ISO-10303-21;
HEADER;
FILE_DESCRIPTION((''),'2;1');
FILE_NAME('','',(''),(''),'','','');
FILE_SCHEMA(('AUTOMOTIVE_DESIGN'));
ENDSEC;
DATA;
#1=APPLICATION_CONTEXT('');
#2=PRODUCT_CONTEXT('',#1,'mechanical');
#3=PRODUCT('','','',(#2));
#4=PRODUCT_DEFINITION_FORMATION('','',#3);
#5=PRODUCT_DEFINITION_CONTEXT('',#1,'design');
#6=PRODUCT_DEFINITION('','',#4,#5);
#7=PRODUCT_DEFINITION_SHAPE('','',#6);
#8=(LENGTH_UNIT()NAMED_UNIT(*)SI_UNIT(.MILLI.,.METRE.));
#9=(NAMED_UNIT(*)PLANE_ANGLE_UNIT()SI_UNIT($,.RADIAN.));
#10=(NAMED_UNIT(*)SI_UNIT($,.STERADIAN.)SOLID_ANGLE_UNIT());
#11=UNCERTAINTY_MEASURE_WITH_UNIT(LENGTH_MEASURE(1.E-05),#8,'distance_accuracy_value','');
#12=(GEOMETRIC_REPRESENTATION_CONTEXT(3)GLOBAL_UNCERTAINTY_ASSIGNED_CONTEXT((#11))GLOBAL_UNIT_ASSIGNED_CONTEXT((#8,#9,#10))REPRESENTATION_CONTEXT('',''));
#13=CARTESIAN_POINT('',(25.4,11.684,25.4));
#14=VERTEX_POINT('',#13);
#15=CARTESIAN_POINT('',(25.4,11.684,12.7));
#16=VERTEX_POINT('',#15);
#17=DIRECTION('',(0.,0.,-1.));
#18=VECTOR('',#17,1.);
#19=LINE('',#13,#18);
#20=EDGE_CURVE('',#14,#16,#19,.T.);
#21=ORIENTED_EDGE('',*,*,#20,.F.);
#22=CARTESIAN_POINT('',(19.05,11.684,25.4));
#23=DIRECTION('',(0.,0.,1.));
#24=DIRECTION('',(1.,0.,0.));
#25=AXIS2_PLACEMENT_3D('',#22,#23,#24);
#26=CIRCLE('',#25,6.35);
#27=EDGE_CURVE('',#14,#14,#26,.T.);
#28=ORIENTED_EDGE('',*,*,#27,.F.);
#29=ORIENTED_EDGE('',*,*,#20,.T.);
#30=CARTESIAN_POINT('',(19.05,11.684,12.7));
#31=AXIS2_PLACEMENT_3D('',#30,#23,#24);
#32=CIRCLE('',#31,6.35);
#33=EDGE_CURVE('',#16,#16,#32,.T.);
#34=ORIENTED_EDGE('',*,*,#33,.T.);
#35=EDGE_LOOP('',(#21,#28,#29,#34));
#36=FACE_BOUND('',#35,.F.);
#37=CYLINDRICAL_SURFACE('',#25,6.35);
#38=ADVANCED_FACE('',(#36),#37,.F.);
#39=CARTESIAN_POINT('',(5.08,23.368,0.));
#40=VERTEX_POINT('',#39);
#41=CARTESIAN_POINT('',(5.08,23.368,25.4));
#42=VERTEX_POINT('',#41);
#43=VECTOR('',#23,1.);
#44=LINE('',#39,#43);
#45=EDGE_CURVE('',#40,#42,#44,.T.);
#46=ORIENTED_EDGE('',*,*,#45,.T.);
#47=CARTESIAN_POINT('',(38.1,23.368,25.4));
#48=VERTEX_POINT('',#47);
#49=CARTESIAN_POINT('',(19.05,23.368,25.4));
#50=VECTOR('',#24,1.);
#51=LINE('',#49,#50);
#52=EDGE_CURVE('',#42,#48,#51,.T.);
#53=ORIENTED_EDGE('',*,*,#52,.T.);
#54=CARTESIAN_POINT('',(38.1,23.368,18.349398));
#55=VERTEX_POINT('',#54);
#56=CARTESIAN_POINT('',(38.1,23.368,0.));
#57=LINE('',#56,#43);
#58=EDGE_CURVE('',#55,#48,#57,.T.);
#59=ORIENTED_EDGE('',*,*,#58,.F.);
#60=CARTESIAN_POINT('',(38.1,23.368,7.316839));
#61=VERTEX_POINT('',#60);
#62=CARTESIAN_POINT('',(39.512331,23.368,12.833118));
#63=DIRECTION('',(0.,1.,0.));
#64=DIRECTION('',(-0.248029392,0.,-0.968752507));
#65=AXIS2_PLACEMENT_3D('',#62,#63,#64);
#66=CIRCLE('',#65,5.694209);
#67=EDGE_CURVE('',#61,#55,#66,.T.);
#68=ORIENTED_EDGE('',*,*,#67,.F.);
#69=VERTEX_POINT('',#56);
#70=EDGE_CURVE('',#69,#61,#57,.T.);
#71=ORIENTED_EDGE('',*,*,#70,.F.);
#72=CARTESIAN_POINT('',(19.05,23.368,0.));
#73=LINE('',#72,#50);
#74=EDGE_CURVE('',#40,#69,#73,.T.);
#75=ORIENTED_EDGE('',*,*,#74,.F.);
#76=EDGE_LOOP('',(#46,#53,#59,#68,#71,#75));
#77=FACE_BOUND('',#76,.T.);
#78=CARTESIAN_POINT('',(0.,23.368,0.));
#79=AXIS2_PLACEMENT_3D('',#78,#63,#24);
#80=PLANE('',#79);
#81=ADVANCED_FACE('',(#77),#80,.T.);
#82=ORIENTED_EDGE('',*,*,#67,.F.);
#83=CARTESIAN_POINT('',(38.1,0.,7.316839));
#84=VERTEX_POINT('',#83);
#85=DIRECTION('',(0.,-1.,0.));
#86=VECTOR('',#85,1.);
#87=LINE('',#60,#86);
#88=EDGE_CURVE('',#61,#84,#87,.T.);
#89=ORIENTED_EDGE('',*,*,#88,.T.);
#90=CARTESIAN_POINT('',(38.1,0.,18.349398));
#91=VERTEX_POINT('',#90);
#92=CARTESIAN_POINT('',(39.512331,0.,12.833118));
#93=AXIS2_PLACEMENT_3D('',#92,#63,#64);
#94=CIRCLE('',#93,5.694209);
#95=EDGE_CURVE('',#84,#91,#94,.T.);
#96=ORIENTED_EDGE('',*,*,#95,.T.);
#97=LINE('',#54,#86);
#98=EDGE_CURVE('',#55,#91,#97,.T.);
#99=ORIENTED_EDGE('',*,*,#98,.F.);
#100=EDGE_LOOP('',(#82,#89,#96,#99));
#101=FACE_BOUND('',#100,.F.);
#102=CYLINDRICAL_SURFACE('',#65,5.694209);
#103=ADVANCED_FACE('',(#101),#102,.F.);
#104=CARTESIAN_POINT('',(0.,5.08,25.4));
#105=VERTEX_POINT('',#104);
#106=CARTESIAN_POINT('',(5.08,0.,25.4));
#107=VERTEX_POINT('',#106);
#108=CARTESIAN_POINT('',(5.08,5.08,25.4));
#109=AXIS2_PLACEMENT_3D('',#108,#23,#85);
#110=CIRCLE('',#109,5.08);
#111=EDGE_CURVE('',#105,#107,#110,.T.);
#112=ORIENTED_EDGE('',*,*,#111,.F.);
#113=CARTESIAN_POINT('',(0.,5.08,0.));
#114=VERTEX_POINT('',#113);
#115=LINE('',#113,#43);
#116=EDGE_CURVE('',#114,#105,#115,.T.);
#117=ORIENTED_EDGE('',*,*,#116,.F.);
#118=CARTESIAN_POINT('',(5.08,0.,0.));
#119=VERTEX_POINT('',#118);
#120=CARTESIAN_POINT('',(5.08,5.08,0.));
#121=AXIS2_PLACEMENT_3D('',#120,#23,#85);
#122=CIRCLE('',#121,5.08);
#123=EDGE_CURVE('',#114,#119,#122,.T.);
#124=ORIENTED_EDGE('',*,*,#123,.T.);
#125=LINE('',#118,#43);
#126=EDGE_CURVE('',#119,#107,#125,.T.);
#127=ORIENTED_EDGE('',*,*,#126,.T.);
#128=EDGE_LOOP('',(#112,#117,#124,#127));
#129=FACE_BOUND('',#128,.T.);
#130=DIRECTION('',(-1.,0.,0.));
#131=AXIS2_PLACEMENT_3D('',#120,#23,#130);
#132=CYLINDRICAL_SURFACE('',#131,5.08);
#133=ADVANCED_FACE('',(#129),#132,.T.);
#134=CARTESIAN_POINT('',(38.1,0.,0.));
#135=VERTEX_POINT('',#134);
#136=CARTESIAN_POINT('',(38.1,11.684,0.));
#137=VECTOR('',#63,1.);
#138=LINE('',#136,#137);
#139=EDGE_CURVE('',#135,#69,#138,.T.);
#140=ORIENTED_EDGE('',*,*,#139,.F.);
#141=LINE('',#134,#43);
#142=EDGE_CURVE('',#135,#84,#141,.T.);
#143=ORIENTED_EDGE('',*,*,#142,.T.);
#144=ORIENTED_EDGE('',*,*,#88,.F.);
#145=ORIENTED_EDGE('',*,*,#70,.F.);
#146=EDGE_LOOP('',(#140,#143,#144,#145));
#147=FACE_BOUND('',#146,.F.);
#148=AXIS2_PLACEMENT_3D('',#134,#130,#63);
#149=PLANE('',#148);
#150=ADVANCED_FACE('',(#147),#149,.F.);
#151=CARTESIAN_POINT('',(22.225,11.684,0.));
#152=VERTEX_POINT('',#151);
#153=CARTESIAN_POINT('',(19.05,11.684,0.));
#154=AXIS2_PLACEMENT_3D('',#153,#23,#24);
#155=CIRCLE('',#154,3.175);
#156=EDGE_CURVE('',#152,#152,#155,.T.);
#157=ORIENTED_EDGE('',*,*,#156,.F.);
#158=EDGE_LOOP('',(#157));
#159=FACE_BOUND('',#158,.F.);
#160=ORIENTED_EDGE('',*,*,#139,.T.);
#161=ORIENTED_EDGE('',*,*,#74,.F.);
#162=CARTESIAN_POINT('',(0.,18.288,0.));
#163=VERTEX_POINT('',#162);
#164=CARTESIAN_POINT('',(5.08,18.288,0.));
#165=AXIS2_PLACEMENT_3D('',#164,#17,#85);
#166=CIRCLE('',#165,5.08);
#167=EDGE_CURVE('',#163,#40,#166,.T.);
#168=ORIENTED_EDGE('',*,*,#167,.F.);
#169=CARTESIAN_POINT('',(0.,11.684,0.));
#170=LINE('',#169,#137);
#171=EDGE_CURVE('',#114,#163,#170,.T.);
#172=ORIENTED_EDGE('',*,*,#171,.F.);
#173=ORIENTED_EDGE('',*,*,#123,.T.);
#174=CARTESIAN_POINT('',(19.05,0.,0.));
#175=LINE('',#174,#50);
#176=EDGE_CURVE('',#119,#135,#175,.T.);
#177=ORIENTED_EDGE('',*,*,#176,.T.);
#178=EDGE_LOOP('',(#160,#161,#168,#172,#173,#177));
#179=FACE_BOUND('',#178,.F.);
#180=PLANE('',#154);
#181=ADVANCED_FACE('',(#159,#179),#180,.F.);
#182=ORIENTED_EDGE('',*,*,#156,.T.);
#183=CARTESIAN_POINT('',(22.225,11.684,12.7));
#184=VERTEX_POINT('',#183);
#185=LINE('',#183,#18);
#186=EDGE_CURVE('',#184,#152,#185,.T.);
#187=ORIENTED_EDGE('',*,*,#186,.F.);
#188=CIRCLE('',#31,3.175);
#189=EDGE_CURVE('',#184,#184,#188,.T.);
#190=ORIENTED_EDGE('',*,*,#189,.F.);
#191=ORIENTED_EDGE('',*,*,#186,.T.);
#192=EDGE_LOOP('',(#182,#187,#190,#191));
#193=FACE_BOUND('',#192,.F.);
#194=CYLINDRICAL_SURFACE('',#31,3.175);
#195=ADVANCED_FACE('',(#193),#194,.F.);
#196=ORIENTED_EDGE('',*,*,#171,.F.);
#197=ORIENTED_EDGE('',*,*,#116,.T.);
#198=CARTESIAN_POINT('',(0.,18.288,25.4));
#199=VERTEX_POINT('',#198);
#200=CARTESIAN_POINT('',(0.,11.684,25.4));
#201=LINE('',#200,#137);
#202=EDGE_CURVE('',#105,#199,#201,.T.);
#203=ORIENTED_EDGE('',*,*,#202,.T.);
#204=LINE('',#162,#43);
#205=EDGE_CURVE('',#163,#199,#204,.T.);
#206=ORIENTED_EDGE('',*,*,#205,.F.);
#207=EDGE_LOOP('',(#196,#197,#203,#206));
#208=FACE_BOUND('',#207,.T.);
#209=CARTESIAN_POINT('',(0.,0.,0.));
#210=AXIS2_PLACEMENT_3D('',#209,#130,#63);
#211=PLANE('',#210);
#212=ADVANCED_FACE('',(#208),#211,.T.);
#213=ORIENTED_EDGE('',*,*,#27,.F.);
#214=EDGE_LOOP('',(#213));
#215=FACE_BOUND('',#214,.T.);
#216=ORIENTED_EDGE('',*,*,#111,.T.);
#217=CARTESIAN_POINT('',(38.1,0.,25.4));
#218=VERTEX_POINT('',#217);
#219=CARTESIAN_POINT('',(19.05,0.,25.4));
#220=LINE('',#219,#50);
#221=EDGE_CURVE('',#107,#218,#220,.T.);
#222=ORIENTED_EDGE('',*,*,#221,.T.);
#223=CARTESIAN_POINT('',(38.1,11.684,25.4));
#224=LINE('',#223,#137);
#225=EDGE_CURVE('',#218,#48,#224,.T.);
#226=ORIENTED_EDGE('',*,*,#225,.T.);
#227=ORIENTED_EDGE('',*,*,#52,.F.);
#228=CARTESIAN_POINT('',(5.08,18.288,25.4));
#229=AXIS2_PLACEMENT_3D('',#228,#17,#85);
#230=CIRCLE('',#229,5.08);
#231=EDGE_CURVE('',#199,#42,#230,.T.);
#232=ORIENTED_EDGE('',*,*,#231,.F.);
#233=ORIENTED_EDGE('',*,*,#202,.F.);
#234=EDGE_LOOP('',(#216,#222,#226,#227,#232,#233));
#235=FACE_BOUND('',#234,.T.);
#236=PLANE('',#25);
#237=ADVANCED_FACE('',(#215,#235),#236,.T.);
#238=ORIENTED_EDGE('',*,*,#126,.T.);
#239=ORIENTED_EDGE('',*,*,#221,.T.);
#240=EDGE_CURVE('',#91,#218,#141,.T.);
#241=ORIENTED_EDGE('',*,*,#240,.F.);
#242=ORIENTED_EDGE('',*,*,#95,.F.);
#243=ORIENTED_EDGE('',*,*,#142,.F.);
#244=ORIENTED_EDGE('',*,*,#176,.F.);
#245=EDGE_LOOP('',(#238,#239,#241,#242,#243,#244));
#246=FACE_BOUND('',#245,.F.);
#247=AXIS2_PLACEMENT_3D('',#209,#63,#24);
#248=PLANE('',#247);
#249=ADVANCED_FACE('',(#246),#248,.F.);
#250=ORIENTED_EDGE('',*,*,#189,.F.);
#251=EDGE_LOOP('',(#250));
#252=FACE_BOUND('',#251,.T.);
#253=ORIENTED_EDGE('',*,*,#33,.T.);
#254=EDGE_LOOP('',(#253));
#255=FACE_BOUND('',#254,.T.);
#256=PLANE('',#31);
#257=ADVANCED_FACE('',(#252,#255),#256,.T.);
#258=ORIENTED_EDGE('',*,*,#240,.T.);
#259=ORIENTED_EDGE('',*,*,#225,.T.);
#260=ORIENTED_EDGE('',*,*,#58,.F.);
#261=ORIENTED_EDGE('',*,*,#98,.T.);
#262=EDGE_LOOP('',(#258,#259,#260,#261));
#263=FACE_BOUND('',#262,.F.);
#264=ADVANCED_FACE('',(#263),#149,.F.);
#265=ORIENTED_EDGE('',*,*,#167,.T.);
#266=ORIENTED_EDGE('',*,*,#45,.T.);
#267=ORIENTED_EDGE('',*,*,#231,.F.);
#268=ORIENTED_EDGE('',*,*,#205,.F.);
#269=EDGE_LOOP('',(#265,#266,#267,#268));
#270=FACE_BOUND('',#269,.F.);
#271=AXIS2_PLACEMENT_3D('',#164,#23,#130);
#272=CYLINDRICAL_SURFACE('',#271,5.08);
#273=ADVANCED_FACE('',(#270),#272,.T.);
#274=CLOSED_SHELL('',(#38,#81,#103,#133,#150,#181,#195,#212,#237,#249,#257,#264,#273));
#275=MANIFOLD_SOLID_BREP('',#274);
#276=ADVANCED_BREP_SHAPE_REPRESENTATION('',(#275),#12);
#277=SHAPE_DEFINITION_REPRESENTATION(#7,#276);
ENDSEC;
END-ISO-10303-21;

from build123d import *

# Parameters (mm, degrees)
F0_W     = 38.1
F0_H     = 23.368
F1_DEPTH = 25.4
F2_R     = 6.35
F3_DEPTH = 12.7
F4_R     = 3.175
F5_DEPTH = 25.4
F6_R     = 5.08
F8_DEPTH = 25.4


with BuildPart() as f1:
    # F0 (on Top) → F1 (new body)
    with BuildSketch(Plane.XY):
        with Locations((19.05, 11.684)):
            Rectangle(F0_W, F0_H)
    extrude(amount=F1_DEPTH)

    # F2 (on face) → F3 (cut)
    with BuildSketch(Plane.XY.offset(25.4)):
        with Locations((19.05, 11.684)):
            Circle(F2_R)
    extrude(amount=-F3_DEPTH, mode=Mode.SUBTRACT)

    # F4 (on face) → F5 (cut)
    with BuildSketch(Plane.XY.offset(12.7)):
        with Locations((19.05, 11.684)):
            Circle(F4_R)
    extrude(amount=-F5_DEPTH, mode=Mode.SUBTRACT)

    # F6
    f6_edges = [f1.edges().sort_by_distance(p)[0] for p in [
        (0, 23.368, 12.7),
        (0, 0, 12.7),
    ]]
    fillet(f6_edges, radius=F6_R)

    # F7 (on face) → F8 (cut)
    with BuildSketch(Plane(origin=(0, 23.368, 0), x_dir=(-1, 0, 0), z_dir=(0, 1, 0))):
        with BuildLine():
            Line((-38.1, 18.349398), (-38.1, 7.316839))
            ThreePointArc((-38.1, 7.316839), (-33.818122, 12.833118), (-38.1, 18.349398))
        make_face()
    extrude(amount=-F8_DEPTH, mode=Mode.SUBTRACT)


solid = f1.part
